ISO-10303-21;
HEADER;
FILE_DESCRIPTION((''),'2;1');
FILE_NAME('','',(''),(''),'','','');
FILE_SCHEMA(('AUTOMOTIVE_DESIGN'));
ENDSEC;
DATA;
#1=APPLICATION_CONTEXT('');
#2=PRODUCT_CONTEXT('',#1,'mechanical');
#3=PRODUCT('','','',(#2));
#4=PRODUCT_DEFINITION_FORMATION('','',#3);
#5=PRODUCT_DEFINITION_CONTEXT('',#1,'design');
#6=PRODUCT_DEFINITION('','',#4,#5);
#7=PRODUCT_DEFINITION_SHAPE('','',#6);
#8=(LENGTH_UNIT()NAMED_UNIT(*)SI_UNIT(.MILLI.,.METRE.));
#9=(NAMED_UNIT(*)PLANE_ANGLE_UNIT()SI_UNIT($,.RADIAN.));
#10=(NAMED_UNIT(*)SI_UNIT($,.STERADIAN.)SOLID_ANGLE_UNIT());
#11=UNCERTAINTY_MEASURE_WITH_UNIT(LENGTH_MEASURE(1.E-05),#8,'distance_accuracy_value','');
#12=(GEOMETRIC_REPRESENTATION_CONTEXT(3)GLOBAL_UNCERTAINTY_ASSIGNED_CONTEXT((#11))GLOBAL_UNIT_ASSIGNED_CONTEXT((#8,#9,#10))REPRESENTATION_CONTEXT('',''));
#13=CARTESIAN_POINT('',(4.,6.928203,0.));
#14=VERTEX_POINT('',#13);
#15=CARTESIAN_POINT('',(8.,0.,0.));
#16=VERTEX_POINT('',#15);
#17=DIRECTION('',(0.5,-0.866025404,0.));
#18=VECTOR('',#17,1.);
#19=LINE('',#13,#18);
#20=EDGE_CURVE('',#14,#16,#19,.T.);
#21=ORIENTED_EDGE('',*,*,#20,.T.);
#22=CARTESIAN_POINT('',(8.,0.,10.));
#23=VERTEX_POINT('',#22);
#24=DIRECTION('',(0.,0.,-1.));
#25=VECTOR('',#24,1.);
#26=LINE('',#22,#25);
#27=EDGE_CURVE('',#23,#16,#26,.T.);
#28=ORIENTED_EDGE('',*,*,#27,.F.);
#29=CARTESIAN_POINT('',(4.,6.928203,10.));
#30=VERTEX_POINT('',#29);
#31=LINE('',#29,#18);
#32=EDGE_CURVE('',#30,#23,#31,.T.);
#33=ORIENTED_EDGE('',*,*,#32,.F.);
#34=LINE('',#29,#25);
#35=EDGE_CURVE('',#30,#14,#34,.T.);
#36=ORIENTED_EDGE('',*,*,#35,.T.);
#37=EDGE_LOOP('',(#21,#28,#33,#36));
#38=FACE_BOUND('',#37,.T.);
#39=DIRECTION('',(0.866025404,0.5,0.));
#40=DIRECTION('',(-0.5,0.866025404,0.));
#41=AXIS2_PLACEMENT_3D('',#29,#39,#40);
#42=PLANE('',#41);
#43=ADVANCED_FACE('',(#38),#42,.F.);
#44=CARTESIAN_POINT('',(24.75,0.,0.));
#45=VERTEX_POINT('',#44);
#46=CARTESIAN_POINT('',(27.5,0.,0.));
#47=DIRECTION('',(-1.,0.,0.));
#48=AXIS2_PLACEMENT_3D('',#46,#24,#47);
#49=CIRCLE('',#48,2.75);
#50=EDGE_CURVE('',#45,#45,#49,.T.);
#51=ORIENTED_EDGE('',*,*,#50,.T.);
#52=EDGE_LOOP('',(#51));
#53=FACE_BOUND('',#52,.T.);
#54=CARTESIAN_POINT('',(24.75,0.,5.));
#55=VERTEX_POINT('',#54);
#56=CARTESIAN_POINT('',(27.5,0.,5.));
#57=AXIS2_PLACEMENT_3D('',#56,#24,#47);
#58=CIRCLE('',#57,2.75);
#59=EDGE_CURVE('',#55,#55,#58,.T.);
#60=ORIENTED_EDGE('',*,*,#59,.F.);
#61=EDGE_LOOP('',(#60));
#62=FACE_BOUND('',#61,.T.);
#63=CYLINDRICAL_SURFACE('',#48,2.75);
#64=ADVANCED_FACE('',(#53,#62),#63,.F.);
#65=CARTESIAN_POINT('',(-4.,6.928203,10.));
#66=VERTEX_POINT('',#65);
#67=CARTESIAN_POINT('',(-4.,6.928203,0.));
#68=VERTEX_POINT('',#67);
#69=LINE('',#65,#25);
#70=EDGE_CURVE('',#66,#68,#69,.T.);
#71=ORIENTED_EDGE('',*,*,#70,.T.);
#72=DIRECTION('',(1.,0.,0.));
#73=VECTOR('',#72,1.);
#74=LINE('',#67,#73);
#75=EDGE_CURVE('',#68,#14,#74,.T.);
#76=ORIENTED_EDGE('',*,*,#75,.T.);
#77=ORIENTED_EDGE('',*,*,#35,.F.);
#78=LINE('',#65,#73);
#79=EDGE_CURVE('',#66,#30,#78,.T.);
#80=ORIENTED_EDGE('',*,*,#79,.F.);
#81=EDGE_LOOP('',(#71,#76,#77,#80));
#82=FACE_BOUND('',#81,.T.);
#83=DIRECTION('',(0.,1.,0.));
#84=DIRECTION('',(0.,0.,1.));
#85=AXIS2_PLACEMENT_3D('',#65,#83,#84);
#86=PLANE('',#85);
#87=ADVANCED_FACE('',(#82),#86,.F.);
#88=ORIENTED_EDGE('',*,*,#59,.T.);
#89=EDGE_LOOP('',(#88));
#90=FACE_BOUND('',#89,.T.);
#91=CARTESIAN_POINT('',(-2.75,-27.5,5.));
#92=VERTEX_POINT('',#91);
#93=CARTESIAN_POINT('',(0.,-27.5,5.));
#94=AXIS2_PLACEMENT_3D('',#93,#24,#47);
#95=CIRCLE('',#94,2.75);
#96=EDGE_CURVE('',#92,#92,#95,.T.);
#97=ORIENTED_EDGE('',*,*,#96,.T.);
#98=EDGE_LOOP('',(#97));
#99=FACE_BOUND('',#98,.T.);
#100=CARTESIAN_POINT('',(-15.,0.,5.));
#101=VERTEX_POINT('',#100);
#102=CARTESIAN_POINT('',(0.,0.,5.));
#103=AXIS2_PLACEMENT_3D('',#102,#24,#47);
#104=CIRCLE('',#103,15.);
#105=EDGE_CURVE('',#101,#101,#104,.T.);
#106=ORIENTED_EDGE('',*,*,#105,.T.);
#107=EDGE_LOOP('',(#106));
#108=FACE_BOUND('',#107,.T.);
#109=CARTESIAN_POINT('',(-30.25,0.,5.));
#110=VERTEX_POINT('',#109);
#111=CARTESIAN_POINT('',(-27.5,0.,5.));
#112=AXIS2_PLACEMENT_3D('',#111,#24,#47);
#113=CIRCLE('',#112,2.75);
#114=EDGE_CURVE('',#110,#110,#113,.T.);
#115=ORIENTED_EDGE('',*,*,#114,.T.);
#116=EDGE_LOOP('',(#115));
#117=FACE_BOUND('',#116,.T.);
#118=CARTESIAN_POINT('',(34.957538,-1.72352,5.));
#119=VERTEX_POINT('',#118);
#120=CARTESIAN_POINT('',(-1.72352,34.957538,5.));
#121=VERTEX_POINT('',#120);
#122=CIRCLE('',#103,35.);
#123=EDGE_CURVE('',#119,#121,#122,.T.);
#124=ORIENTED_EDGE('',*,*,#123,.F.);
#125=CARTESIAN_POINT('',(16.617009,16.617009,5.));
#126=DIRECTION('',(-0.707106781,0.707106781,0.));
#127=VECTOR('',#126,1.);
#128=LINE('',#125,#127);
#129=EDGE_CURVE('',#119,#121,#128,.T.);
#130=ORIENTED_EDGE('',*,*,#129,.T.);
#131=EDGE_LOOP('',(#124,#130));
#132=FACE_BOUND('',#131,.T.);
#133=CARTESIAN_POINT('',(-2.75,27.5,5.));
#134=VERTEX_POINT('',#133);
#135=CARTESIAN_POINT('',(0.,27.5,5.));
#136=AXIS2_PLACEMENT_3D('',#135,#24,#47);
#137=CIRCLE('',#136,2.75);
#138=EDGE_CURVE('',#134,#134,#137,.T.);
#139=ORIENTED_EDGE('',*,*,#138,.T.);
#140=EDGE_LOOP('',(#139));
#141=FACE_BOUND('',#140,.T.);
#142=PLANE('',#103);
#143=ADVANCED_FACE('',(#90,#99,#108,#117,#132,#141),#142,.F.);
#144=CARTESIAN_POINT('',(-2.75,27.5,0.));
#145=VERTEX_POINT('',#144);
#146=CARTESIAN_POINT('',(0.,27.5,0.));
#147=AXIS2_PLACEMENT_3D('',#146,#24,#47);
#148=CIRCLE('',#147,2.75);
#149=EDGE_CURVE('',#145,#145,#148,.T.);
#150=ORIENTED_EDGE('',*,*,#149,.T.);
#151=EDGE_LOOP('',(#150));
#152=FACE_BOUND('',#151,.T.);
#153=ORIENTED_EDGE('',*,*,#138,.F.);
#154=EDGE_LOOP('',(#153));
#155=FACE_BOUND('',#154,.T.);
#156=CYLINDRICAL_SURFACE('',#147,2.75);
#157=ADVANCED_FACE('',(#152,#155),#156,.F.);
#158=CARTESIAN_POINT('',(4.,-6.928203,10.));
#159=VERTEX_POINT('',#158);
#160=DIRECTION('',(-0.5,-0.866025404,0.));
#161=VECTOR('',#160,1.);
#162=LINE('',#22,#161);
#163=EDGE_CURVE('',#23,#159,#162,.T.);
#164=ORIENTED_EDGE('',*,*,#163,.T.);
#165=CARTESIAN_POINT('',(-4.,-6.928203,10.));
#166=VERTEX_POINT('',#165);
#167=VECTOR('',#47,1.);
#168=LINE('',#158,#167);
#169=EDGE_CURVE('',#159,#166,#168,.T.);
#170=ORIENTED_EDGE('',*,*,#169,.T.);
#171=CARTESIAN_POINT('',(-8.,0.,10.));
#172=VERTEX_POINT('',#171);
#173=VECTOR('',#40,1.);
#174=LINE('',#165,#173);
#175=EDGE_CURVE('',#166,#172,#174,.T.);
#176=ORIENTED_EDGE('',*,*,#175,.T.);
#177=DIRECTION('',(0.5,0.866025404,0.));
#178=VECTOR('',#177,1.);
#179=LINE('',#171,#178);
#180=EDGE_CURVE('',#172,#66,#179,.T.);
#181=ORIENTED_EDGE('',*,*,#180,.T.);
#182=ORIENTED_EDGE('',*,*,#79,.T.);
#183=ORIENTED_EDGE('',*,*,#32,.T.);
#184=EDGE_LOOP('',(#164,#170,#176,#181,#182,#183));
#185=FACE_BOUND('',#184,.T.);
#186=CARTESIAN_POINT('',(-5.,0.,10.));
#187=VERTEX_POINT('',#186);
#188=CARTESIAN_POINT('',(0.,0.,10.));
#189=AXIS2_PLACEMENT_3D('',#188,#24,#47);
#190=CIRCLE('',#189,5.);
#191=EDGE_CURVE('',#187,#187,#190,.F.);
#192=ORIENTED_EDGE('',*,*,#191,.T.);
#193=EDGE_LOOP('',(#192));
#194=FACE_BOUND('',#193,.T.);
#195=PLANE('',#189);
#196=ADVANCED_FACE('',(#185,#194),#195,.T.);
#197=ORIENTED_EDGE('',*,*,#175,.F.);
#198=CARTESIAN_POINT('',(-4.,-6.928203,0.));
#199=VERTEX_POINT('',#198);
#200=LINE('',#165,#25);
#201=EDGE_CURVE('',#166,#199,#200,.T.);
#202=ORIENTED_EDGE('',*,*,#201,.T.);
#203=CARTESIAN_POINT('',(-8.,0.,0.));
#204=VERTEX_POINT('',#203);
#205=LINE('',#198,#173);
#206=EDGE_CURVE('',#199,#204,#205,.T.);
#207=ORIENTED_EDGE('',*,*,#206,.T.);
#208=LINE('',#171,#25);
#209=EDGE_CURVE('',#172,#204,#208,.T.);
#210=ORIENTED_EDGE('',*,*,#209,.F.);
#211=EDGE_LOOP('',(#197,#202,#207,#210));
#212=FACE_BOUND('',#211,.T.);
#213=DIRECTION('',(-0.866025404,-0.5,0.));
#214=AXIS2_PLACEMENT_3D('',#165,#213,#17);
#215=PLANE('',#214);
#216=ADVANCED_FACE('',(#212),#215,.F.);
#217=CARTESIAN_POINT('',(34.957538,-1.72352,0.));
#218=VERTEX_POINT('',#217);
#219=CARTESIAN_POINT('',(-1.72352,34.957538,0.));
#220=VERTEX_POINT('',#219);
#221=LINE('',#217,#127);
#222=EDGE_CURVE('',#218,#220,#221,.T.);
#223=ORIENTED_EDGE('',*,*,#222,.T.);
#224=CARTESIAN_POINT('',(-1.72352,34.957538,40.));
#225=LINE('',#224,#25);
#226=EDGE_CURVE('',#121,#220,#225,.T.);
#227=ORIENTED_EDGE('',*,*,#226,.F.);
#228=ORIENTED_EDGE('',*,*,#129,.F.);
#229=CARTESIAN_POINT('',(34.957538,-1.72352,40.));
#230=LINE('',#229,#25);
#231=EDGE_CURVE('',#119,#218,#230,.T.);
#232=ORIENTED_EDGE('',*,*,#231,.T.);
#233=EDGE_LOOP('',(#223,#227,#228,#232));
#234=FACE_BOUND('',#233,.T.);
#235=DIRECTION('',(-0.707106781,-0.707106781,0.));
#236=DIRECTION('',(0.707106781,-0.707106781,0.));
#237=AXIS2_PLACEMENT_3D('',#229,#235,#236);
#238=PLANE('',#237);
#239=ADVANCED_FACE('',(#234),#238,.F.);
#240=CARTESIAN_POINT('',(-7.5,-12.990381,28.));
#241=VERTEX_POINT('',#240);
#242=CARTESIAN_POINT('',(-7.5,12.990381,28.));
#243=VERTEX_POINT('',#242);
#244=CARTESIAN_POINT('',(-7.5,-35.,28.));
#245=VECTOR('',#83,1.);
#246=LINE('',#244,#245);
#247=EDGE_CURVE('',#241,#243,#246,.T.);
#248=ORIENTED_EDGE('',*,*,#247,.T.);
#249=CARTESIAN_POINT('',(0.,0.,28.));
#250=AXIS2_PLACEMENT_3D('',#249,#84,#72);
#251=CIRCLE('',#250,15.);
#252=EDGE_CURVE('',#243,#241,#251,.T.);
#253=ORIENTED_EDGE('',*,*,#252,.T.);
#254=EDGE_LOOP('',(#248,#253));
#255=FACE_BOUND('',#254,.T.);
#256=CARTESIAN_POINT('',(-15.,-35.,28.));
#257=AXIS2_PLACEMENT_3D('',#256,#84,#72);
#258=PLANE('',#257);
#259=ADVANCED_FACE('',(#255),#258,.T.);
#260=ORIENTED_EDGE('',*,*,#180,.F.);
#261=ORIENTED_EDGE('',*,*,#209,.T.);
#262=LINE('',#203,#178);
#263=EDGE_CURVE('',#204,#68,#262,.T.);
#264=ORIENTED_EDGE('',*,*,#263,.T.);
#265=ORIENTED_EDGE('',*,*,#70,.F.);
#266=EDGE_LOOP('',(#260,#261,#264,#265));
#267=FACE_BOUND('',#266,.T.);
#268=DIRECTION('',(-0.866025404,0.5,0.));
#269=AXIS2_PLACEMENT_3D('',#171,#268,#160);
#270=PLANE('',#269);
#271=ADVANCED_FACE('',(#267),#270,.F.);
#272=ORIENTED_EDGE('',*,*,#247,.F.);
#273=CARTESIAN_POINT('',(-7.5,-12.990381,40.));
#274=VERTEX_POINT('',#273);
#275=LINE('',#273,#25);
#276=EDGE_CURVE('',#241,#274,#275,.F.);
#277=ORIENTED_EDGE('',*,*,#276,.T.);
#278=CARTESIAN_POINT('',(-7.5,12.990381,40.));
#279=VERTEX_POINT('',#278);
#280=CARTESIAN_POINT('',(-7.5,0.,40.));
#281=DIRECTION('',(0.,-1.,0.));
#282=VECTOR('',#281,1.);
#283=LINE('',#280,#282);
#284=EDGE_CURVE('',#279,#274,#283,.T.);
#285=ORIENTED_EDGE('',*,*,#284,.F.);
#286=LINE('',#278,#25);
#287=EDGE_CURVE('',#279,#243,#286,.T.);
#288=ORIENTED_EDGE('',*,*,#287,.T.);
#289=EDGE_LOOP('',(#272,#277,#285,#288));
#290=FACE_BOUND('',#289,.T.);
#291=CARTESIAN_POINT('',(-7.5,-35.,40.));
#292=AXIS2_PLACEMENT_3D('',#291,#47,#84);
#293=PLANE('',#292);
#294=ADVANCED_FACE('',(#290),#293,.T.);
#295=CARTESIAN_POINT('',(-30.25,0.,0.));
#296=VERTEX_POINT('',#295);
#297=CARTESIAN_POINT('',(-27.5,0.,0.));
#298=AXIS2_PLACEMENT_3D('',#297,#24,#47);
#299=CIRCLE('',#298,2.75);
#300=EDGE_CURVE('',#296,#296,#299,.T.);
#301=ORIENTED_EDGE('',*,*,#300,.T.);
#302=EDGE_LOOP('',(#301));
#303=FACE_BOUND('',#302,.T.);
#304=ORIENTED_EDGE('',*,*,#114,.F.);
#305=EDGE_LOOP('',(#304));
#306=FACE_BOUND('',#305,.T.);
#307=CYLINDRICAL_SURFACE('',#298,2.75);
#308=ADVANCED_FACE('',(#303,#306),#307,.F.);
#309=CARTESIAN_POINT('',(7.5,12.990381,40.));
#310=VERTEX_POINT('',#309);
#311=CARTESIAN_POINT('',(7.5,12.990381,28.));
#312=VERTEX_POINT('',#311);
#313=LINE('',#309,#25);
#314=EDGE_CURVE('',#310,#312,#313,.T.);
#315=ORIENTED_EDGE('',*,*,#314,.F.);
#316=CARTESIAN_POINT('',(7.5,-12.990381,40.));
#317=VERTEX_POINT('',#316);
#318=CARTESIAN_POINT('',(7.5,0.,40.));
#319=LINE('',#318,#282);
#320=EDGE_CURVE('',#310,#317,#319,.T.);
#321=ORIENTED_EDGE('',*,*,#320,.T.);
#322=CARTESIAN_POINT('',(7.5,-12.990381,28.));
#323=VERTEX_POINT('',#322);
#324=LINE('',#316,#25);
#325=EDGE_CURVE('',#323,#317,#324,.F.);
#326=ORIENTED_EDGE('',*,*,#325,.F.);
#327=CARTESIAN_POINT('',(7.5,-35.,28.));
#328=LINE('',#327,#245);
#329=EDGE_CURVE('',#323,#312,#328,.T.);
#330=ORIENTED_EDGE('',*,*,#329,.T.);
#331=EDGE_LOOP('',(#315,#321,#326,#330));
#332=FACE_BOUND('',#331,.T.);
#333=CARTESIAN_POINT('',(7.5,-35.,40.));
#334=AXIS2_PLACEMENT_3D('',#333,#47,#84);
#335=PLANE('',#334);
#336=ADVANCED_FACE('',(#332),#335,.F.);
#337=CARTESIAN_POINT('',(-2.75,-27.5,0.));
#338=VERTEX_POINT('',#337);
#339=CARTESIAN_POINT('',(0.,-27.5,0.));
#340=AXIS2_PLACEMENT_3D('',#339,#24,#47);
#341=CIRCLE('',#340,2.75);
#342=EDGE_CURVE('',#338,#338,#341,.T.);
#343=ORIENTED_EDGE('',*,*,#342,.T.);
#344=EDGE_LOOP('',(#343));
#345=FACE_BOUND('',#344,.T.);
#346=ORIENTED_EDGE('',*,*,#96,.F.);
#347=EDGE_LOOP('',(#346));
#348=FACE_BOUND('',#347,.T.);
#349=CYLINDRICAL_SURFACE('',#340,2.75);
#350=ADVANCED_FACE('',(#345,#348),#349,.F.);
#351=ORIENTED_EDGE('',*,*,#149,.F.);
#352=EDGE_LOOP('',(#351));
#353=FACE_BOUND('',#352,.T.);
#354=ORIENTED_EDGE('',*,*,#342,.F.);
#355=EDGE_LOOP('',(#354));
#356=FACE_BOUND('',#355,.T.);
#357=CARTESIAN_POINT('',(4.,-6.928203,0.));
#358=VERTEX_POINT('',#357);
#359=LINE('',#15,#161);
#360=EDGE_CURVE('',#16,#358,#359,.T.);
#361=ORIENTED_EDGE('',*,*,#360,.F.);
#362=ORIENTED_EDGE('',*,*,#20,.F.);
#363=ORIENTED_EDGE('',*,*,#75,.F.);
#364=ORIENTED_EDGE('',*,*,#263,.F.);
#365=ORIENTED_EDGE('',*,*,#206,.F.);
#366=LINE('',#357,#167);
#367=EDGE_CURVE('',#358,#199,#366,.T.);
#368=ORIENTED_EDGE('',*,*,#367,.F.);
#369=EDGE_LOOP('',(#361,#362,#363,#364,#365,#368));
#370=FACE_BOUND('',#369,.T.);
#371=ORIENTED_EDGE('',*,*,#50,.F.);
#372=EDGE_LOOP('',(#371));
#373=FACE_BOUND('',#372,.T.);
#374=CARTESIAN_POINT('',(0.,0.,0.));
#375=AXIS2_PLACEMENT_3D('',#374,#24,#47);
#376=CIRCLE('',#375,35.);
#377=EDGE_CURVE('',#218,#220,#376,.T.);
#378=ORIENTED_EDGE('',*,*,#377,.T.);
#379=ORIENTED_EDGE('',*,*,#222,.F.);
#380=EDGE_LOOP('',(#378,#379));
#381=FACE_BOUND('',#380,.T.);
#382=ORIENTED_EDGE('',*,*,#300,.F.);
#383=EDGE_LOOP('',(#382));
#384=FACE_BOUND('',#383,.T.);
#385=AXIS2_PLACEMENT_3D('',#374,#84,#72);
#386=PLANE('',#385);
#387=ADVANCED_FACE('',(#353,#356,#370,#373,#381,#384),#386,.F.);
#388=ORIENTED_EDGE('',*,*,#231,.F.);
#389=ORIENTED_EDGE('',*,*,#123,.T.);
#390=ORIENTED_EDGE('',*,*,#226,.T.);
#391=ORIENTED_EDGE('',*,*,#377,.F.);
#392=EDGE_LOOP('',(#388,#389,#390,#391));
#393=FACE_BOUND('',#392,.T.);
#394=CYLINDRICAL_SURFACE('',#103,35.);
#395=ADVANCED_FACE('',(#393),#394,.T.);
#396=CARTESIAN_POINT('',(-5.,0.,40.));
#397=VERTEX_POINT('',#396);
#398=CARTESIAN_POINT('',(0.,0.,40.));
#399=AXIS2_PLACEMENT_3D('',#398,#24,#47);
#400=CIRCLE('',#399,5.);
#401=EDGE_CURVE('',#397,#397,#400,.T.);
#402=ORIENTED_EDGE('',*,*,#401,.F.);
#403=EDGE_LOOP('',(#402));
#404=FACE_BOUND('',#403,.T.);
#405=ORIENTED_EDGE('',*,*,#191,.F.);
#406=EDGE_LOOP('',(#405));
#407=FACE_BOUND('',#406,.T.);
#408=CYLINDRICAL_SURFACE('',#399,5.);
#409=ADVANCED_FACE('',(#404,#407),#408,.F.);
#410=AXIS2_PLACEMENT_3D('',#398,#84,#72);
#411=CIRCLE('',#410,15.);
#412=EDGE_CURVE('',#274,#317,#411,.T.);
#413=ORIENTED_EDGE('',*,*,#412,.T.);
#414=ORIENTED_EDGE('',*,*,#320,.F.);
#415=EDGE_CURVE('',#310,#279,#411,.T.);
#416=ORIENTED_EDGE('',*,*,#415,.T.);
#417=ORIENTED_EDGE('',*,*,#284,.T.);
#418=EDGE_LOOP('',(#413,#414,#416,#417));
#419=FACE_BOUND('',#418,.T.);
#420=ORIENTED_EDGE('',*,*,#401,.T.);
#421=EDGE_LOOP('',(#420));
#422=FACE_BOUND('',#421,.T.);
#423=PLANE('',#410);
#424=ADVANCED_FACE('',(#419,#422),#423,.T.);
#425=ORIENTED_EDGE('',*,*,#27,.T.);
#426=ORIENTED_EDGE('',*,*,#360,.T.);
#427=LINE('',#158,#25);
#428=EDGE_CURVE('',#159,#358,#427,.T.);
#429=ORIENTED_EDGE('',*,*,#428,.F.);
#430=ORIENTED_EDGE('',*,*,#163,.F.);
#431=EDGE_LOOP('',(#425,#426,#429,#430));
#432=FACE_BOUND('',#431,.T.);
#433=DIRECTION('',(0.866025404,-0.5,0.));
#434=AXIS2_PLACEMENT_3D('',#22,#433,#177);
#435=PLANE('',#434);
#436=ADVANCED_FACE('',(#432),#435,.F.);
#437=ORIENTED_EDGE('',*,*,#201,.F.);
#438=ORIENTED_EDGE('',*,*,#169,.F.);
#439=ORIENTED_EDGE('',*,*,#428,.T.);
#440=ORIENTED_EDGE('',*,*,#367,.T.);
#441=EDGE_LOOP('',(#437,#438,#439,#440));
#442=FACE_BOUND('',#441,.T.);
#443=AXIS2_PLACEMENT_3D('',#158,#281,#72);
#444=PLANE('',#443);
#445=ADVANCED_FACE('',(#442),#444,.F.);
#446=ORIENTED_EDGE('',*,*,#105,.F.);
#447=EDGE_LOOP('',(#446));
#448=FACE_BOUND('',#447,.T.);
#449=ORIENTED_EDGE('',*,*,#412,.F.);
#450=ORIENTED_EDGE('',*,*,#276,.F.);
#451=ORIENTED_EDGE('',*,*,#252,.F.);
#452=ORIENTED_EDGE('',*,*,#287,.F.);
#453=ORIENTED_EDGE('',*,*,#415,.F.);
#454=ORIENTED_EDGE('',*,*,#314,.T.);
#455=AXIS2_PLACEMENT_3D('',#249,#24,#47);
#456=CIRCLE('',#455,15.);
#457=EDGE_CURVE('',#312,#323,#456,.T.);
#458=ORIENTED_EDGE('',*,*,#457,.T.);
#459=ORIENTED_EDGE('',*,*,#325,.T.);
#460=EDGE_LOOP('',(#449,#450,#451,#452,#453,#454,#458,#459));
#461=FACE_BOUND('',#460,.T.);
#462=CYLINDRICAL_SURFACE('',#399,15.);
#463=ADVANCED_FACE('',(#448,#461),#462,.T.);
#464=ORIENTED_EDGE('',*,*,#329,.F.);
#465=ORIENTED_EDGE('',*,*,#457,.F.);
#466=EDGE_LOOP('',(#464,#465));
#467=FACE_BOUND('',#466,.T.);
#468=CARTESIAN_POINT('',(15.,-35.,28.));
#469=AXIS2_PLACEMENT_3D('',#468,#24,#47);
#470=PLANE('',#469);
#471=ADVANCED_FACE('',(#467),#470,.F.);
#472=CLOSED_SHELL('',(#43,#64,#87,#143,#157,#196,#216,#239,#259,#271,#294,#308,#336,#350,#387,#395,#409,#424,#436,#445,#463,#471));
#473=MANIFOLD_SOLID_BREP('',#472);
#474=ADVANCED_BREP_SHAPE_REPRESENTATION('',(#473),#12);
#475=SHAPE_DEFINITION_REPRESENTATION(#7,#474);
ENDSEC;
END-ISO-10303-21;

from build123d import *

# Parameters (mm, degrees)
SKETCH1_R            = 15
BOSS_EXTRUDE1_DEPTH  = 40
SKETCH2_R            = 35
BOSS_EXTRUDE2_DEPTH  = 5
SKETCH3_R            = 5
CUT_EXTRUDE1_DEPTH   = 64.639610307
CUT_EXTRUDE2_DEPTH   = 10
SKETCH5_W            = 7.5
SKETCH5_H            = 12
CUT_EXTRUDE3_DEPTH   = 64.639610307
M5_CLEARANCE_HOLE1_D = 5.5
CUT_EXTRUDE4_DEPTH   = 64.639610307


with BuildPart() as part:
    # Sketch1 → Boss-Extrude1 (new body)
    with BuildSketch(Plane.XY):
        Circle(SKETCH1_R)
    extrude(amount=BOSS_EXTRUDE1_DEPTH)

    # Sketch2 → Boss-Extrude2 (add)
    with BuildSketch(Plane(origin=(0, 0, 0), x_dir=(-1, 0, 0), z_dir=(0, 0, -1))):
        Circle(SKETCH2_R)
    extrude(amount=-BOSS_EXTRUDE2_DEPTH)

    # Sketch3 → Cut-Extrude1 (cut, through all)
    with BuildSketch(Plane(origin=(0, 0, 0), x_dir=(-1, 0, 0), z_dir=(0, 0, -1))):
        Circle(SKETCH3_R)
    extrude(amount=-CUT_EXTRUDE1_DEPTH, mode=Mode.SUBTRACT)

    # Sketch4 → Cut-Extrude2 (cut)
    with BuildSketch(Plane(origin=(0, 0, 0), x_dir=(-1, 0, 0), z_dir=(0, 0, -1))):
        Polygon((8, 0), (4, 6.92820323), (-4, 6.92820323), (-8, 0), (-4, -6.92820323), (4, -6.92820323), align=None)
    extrude(amount=-CUT_EXTRUDE2_DEPTH, mode=Mode.SUBTRACT)

    # Sketch5 → Cut-Extrude3 (cut, symmetric)
    with BuildSketch(Plane(origin=(0, 0, 0), x_dir=(1, 0, 0), z_dir=(0, 1, 0))):
        with Locations((11.25, -34)):
            Rectangle(SKETCH5_W, SKETCH5_H)
    cut_extrude3 = extrude(amount=CUT_EXTRUDE3_DEPTH, both=True, mode=Mode.SUBTRACT)

    # Mirror1: Cut-Extrude3 across plane
    add(cut_extrude3.mirror(Plane(origin=(0, 0, 0), x_dir=(0, 0, 1), z_dir=(1, 0, 0))), mode=Mode.SUBTRACT)

    # M5 Clearance Hole1 (through all)
    with Locations(Plane(origin=(0, 0, 0), x_dir=(-1, 0, 0), z_dir=(0, 0, -1))):
        with Locations((0, 27.5), (-27.5, 0), (27.5, 0), (0, -27.5)):
            Hole(M5_CLEARANCE_HOLE1_D / 2)

    # Sketch8 → Cut-Extrude4 (cut, through all)
    with BuildSketch(Plane(origin=(0, 0, 0), x_dir=(-1, 0, 0), z_dir=(0, 0, -1))):
        with BuildLine():
            Line((-34.957538249, -1.723519533), (1.723519533, 34.957538249))
            ThreePointArc((1.723519533, 34.957538249), (-24.748737342, 24.748737342), (-34.957538249, -1.723519533))
        make_face()
    extrude(amount=-CUT_EXTRUDE4_DEPTH, mode=Mode.SUBTRACT)


solid = part.part
